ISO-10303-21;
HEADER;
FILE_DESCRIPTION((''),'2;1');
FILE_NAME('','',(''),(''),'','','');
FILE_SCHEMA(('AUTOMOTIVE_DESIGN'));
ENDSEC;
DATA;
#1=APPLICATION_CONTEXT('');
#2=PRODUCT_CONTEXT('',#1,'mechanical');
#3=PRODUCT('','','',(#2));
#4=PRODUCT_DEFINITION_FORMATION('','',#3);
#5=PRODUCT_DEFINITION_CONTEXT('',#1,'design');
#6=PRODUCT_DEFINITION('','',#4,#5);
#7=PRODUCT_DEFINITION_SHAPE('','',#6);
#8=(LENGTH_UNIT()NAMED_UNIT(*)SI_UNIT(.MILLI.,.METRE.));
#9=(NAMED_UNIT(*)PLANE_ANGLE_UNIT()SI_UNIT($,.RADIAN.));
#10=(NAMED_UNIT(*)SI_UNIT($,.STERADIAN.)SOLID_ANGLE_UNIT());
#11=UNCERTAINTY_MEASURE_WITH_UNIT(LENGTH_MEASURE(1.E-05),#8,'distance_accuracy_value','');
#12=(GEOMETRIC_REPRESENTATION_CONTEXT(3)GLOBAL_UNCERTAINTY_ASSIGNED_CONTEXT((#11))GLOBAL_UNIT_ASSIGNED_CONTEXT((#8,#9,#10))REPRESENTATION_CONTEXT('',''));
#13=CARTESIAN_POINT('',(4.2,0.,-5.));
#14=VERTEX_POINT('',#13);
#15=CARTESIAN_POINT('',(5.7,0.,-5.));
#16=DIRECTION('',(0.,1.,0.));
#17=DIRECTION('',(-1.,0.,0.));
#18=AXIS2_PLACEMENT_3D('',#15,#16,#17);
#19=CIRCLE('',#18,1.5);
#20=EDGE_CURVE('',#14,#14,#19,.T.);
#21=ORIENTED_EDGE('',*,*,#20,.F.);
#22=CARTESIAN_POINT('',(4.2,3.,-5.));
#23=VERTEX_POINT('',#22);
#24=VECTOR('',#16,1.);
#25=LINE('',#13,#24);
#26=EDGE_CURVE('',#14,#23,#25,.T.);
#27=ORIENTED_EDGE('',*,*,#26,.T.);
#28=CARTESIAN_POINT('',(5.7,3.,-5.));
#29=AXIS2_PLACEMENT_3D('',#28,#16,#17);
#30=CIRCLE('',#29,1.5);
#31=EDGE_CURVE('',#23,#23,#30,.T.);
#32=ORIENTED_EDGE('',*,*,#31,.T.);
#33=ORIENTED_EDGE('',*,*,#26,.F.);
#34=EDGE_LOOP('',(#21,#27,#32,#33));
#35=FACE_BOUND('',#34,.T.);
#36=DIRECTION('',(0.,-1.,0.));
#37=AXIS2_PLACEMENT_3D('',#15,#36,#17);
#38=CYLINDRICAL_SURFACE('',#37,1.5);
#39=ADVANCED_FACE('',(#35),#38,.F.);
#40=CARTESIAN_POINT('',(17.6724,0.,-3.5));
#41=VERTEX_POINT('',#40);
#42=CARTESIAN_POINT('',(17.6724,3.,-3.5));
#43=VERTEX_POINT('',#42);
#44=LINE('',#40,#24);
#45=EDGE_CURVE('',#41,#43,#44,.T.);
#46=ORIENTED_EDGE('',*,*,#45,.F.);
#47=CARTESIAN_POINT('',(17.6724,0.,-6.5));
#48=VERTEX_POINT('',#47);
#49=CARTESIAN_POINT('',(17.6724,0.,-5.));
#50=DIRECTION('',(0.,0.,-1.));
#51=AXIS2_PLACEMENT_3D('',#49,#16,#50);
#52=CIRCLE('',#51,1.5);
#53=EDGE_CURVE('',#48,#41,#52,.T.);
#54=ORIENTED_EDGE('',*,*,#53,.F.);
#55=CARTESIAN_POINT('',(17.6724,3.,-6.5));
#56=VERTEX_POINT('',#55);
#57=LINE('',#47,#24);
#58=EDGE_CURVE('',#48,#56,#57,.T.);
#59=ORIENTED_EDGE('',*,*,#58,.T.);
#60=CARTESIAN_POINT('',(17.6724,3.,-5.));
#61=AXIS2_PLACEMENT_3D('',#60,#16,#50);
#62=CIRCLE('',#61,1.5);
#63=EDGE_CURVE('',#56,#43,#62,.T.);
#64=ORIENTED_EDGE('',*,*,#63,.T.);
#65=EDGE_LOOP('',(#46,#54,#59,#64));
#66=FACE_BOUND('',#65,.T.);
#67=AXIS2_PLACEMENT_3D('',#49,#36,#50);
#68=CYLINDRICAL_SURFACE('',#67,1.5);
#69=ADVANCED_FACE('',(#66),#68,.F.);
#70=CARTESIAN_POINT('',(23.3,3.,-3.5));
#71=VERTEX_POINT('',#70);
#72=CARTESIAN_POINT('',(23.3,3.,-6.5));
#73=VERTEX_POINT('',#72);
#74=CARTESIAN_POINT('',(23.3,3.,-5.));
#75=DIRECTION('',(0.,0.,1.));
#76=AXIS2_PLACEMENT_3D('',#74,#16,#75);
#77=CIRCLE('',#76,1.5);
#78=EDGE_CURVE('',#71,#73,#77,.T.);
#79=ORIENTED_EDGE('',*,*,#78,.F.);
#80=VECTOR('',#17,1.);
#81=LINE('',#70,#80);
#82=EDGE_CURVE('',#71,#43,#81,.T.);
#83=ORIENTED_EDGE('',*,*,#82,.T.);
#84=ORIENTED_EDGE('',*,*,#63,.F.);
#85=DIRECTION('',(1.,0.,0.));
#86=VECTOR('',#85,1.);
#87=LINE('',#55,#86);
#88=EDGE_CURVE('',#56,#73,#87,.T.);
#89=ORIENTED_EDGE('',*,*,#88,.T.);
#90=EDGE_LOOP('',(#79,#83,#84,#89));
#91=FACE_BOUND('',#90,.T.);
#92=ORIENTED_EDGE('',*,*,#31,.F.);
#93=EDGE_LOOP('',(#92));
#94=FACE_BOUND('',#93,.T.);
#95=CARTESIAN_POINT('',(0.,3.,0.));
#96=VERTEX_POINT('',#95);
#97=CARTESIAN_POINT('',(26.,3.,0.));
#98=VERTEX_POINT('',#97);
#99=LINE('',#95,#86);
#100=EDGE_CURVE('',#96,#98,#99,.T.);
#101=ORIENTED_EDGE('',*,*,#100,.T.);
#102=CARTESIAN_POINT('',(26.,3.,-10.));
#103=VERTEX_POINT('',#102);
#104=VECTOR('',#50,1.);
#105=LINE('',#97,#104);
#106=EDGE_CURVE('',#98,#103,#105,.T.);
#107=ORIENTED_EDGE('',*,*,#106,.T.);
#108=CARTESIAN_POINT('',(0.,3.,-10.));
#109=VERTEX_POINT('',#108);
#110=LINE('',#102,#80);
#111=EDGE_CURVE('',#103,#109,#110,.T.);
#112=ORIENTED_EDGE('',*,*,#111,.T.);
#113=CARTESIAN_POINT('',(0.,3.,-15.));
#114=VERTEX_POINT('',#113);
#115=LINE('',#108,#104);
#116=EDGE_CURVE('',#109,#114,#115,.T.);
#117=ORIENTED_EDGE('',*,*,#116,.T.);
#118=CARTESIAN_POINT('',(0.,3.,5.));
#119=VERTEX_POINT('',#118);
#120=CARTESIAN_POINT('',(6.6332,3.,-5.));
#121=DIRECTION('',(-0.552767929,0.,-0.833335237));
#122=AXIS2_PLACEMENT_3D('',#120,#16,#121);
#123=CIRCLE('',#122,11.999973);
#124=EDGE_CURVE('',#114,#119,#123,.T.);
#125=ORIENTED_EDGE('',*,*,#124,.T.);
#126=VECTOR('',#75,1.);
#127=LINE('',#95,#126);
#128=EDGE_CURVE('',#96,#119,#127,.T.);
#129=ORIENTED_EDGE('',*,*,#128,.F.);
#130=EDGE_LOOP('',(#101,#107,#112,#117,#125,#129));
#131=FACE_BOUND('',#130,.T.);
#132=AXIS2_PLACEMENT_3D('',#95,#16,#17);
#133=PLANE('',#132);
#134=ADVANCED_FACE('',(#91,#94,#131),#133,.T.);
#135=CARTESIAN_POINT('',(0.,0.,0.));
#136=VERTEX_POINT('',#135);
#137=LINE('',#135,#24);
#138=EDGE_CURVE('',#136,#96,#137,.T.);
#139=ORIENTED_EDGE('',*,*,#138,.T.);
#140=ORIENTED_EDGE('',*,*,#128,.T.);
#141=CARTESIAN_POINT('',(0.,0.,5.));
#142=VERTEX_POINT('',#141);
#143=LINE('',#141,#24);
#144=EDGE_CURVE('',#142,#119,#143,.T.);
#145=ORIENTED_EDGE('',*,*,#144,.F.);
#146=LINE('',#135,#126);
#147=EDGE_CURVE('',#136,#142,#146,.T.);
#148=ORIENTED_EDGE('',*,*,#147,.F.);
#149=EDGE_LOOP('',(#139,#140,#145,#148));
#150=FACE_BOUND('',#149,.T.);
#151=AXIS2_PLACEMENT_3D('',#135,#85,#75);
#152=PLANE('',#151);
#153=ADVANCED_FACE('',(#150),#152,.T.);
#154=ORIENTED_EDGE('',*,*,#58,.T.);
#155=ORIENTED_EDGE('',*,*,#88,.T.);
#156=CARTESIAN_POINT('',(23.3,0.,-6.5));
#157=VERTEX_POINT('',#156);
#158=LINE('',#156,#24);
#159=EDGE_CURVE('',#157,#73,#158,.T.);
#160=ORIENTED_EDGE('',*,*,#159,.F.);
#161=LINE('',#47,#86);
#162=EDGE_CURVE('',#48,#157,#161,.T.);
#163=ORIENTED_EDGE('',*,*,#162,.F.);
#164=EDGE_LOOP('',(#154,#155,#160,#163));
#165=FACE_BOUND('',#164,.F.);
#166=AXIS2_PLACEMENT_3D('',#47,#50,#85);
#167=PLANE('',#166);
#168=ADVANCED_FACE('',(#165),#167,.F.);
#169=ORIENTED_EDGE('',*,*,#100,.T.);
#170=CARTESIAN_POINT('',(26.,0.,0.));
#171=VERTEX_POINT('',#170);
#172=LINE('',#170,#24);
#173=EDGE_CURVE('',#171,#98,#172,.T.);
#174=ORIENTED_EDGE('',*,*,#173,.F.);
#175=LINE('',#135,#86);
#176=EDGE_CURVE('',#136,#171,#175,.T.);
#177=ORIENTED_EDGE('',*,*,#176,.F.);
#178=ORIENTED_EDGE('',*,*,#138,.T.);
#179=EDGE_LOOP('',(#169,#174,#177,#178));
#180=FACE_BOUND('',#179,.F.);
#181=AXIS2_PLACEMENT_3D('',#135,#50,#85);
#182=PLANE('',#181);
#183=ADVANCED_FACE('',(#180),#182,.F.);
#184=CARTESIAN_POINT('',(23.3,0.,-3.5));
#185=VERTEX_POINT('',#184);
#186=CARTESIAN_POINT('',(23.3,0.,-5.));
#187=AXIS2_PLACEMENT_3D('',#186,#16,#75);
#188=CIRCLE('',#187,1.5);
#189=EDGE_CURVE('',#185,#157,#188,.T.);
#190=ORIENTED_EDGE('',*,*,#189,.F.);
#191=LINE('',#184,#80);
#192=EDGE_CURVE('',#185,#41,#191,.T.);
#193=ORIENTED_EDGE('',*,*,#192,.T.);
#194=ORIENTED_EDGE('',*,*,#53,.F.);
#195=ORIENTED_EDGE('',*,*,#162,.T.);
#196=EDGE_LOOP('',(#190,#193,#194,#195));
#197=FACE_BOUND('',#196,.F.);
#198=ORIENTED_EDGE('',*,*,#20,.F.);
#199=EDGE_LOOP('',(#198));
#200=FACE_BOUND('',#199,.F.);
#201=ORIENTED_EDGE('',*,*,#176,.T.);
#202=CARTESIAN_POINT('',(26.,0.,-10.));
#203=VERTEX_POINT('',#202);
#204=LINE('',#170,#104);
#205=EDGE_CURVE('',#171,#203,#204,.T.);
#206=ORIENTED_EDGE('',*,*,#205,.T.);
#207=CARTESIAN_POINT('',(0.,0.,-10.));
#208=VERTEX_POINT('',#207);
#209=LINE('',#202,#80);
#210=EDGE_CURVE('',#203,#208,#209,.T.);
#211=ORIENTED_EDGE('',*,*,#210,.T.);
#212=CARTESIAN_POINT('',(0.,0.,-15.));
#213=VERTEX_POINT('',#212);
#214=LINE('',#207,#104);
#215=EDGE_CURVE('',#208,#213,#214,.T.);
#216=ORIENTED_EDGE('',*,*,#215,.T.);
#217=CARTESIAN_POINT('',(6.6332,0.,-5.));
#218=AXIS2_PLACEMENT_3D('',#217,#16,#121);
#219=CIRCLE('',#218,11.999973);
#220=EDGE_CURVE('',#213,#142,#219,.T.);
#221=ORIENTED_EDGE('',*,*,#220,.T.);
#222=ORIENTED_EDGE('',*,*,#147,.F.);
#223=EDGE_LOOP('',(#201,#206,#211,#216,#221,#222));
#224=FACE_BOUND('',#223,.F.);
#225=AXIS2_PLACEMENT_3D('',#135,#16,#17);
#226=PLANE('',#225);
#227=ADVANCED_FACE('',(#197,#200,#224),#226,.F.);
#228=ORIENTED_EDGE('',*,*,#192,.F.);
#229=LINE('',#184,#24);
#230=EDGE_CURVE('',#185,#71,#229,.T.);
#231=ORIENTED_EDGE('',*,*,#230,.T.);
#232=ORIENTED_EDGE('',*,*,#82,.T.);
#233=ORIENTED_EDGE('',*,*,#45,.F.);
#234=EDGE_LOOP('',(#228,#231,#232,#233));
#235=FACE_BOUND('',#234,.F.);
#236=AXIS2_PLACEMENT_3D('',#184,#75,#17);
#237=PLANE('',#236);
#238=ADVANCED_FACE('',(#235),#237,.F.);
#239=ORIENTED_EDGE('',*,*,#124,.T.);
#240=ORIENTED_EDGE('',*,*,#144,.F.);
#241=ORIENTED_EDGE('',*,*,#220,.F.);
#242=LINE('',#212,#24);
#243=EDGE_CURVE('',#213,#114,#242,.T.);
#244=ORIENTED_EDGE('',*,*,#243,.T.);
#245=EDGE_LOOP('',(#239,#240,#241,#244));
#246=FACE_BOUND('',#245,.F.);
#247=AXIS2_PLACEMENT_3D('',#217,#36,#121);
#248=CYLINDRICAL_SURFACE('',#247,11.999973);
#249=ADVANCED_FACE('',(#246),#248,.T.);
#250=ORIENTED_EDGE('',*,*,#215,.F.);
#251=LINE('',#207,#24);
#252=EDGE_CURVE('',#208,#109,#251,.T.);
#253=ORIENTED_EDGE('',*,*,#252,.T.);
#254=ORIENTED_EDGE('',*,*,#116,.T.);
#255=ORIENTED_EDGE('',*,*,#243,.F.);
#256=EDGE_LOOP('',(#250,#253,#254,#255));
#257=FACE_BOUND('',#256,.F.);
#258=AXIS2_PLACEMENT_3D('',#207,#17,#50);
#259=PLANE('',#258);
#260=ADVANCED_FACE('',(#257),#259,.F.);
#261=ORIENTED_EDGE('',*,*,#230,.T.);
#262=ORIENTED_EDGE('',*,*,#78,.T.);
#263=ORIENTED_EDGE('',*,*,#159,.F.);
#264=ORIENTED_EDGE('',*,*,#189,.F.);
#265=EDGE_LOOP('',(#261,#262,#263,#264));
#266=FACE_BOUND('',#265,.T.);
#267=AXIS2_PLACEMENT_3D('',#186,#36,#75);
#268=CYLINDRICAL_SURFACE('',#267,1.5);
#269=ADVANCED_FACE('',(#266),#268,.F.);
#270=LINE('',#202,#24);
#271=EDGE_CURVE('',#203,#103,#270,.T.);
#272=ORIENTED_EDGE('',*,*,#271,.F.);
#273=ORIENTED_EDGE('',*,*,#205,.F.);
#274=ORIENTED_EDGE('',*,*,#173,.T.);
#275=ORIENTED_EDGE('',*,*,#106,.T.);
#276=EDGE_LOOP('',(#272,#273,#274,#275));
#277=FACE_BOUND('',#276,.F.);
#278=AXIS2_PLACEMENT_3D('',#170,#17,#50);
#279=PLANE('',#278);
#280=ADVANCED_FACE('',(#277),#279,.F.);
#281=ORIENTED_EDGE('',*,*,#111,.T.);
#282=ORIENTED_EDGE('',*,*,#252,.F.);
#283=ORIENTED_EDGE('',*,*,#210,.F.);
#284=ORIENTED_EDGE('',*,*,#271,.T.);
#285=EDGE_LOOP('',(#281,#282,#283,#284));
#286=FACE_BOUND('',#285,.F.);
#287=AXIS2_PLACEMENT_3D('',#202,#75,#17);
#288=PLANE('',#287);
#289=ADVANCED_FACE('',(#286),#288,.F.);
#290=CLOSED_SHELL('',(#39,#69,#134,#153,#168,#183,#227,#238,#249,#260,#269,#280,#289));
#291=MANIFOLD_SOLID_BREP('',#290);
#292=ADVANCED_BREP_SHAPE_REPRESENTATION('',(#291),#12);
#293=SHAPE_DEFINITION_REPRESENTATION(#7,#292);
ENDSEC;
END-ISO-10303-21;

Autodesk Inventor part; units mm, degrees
ref_plane "YZ Plane" through (0, 0, 0) normal (1, 0, 0) x (0, 1, 0)
ref_plane "XZ Plane" through (0, 0, 0) normal (0, 1, 0) x (-1, 0, 0)
ref_plane "XY Plane" through (0, 0, 0) normal (0, 0, 1) x (1, 0, 0)
sketch "Sketch1" plane through (0, 0, 0) normal (0, 1, 0) x (-1, 0, 0)
  line L0 (0, 0) -> (-26, 0)
  line L1 (-26, 0) -> (-26, -10)
  line L2 (-26, -10) -> (0, -10)
  line L3 (0, -10) -> (0, 0)
  line L4 (0, 0) -> (0, 5)
  line L5 (0, -10) -> (0, -15)
  circle A0 centre (-5.7, -5) radius 1.5
  arc A1 (-23.3, -3.5) -> (-23.3, -6.5) centre (-23.3, -5) ccw
  line L6 (-23.3, -3.5) -> (-17.6724, -3.5)
  line L7 (-17.6724, -3.5) -> (-17.6724, -6.5)
  line L8 (-17.6724, -6.5) -> (-23.3, -6.5)
  arc A2 (-17.6724, -6.5) -> (-17.6724, -3.5) centre (-17.6724, -5) ccw
  arc A3 (0, -15) -> (0, 5) centre (-6.6332, -5) ccw
  dimension "d0" = 26
  dimension "d1" = 10
  dimension "d5" = 3
  dimension "d7" = 3
  dimension "d8" = 3
  dimension "d9" = 12
extrude "Extrusion1" add sketch "Sketch1" along normal blind 3
properties part number "FPV_Motor_Holder"
